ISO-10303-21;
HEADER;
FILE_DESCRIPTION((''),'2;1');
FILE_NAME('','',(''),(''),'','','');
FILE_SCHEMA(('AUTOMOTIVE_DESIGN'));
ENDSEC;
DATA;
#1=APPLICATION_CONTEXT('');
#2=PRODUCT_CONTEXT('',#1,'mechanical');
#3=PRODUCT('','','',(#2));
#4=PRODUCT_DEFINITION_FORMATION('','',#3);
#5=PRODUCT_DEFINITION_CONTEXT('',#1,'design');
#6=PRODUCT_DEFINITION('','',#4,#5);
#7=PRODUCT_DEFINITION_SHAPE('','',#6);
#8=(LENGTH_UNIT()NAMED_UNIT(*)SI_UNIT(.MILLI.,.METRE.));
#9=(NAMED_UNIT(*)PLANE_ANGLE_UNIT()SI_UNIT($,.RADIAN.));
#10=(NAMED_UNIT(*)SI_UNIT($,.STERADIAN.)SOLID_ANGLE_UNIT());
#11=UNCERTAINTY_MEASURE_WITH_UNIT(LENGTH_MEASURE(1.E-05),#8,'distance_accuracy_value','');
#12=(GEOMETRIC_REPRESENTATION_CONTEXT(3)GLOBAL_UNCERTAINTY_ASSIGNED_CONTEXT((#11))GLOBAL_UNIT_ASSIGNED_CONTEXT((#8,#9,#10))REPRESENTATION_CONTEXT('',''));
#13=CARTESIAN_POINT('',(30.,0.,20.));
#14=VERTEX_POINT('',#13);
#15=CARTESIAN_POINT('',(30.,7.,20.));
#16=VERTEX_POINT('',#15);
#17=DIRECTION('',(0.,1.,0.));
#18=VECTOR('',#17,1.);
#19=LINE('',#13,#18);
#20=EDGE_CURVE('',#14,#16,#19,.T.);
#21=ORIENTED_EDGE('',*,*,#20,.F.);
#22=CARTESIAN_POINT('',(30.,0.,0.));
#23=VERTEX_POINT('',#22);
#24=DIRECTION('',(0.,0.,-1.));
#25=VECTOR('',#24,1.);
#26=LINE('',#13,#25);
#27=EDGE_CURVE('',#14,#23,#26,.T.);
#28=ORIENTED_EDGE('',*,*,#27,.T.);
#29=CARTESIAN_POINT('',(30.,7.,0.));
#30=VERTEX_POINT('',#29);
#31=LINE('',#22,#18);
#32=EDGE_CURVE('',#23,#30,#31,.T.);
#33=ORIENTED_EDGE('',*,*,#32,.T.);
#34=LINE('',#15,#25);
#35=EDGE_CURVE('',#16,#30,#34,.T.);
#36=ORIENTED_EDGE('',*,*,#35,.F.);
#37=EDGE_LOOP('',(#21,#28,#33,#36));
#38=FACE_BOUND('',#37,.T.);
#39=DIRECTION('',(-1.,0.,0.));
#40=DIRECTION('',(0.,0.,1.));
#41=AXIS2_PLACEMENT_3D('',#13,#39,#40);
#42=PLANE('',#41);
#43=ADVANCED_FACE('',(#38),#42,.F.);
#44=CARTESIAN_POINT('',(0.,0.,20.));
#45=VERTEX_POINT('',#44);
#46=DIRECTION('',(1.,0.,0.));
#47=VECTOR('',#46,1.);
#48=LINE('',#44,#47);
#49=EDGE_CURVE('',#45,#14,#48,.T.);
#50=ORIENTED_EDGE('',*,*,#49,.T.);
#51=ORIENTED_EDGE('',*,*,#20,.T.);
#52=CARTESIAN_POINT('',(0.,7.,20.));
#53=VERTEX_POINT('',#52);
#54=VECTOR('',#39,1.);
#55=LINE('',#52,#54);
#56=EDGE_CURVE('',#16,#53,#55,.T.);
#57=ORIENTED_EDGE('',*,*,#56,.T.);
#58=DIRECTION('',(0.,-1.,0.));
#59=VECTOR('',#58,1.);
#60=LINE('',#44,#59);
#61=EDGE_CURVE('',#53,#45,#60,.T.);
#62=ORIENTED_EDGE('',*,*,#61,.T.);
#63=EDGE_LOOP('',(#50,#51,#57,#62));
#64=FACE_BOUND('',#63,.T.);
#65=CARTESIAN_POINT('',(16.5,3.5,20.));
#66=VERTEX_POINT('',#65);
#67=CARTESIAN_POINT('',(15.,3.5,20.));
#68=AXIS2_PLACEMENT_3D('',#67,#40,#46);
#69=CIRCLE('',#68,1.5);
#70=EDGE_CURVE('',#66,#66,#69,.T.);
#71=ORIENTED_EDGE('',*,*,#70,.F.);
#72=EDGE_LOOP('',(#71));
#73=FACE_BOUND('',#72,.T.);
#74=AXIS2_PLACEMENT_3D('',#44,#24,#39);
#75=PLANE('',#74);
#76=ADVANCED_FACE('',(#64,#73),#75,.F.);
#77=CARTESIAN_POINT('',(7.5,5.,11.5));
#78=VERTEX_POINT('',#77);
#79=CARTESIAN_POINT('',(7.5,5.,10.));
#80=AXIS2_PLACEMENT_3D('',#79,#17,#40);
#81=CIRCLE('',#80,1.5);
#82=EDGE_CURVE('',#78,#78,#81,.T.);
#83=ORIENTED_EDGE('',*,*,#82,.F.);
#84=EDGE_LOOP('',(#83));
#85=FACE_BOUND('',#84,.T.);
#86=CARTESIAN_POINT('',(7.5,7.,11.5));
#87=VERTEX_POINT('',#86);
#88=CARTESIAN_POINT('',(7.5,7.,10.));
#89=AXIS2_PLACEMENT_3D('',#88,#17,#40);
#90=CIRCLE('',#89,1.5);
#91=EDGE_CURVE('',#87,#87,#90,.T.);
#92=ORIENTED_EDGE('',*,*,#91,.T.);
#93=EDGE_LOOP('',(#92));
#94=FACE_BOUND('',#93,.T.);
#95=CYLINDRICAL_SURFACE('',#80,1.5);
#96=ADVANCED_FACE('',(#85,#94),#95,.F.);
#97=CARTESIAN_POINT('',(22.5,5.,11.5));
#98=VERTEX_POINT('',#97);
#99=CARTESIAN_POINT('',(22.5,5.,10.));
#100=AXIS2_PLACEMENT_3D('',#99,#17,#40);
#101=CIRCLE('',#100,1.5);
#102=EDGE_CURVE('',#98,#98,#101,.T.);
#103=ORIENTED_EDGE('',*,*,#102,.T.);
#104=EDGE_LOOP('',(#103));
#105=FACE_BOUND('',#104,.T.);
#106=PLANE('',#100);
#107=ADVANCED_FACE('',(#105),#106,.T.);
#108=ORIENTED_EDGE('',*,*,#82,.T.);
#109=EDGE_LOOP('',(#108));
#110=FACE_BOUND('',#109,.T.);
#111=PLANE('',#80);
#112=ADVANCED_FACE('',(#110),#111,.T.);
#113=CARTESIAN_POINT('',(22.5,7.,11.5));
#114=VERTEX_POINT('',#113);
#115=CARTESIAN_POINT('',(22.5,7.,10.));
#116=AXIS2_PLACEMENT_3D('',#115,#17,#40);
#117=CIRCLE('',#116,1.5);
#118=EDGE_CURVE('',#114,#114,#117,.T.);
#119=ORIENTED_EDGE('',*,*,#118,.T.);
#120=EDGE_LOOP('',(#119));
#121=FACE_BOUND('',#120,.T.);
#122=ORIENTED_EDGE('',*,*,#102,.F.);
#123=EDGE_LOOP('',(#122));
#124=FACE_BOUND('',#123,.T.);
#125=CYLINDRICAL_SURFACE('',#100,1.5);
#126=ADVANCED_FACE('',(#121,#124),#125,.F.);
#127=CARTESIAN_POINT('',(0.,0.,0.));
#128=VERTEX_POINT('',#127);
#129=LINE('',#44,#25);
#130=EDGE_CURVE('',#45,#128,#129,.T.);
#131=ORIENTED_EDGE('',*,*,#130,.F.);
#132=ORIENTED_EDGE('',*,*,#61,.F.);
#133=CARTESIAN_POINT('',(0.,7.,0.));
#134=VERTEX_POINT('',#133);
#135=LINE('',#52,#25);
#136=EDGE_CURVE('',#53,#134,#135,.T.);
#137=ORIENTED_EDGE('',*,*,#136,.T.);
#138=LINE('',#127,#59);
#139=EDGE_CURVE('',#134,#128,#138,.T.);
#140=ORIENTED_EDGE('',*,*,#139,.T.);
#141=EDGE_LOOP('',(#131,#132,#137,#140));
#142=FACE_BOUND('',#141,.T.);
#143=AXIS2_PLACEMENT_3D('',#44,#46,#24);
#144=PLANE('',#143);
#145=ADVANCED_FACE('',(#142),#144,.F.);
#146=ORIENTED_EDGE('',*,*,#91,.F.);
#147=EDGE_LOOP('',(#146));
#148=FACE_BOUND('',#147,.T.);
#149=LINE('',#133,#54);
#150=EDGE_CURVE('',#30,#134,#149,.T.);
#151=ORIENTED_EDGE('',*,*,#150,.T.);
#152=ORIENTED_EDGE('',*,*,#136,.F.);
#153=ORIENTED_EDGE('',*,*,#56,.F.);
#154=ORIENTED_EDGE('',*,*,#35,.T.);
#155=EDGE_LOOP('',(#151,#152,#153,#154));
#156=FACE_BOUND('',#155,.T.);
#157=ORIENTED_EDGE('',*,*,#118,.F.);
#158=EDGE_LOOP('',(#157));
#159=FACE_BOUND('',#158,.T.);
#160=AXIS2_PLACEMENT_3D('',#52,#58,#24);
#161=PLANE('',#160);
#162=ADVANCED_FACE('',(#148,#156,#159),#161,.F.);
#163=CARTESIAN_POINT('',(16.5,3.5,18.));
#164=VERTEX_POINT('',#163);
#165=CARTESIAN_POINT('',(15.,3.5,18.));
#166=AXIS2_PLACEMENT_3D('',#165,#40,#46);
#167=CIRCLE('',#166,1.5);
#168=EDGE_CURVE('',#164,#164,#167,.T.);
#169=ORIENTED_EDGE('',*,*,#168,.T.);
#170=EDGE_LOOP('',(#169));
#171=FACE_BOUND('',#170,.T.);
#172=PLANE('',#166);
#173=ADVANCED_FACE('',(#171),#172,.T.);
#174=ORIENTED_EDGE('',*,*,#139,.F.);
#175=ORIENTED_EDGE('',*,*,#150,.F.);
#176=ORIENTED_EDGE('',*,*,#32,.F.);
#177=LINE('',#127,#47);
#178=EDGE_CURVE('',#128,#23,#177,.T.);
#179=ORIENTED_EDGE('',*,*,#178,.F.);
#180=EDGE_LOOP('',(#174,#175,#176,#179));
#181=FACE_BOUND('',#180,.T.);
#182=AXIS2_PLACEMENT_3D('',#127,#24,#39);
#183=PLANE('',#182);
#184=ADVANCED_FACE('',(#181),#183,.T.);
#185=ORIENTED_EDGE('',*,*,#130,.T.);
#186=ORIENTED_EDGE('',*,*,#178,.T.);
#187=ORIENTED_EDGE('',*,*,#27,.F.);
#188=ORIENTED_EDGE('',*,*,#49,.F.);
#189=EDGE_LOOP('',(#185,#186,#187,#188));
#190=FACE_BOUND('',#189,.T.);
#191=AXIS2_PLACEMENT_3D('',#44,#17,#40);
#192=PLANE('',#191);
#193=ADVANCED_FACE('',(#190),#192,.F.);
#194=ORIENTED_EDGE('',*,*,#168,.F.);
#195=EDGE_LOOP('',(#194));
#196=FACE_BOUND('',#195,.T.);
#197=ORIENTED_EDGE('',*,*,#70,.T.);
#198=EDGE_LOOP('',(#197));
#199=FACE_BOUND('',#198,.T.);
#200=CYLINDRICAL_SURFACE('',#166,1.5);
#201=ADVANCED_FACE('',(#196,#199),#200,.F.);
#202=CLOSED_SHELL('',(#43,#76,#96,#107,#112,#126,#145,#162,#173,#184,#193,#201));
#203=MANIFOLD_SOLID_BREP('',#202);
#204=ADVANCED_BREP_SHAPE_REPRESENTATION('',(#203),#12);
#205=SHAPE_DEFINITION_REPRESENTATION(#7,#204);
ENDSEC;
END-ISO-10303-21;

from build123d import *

# Parameters (mm, degrees)
SKETCH1_W           = 30
SKETCH1_H           = 7
BOSS_EXTRUDE1_DEPTH = 20
SKETCH2_R           = 1.5
CUT_EXTRUDE1_DEPTH  = 2
SKETCH3_R           = 1.5
CUT_EXTRUDE2_DEPTH  = 2


with BuildPart() as part:
    # Sketch1 → Boss-Extrude1 (new body)
    with BuildSketch(Plane.XY):
        with Locations((15, 3.5)):
            Rectangle(SKETCH1_W, SKETCH1_H)
    extrude(amount=BOSS_EXTRUDE1_DEPTH)

    # Sketch2 → Cut-Extrude1 (cut)
    with BuildSketch(Plane.XY.offset(20)):
        with Locations((15, 3.5)):
            Circle(SKETCH2_R)
    extrude(amount=-CUT_EXTRUDE1_DEPTH, mode=Mode.SUBTRACT)

    # Sketch3 → Cut-Extrude2 (cut)
    with BuildSketch(Plane(origin=(0, 7, 0), x_dir=(1, 0, 0), z_dir=(0, 1, 0))):
        with Locations((7.5, -10)):
            Circle(SKETCH3_R)
        with Locations((22.5, -10)):
            Circle(SKETCH3_R)
    extrude(amount=-CUT_EXTRUDE2_DEPTH, mode=Mode.SUBTRACT)


solid = part.part
